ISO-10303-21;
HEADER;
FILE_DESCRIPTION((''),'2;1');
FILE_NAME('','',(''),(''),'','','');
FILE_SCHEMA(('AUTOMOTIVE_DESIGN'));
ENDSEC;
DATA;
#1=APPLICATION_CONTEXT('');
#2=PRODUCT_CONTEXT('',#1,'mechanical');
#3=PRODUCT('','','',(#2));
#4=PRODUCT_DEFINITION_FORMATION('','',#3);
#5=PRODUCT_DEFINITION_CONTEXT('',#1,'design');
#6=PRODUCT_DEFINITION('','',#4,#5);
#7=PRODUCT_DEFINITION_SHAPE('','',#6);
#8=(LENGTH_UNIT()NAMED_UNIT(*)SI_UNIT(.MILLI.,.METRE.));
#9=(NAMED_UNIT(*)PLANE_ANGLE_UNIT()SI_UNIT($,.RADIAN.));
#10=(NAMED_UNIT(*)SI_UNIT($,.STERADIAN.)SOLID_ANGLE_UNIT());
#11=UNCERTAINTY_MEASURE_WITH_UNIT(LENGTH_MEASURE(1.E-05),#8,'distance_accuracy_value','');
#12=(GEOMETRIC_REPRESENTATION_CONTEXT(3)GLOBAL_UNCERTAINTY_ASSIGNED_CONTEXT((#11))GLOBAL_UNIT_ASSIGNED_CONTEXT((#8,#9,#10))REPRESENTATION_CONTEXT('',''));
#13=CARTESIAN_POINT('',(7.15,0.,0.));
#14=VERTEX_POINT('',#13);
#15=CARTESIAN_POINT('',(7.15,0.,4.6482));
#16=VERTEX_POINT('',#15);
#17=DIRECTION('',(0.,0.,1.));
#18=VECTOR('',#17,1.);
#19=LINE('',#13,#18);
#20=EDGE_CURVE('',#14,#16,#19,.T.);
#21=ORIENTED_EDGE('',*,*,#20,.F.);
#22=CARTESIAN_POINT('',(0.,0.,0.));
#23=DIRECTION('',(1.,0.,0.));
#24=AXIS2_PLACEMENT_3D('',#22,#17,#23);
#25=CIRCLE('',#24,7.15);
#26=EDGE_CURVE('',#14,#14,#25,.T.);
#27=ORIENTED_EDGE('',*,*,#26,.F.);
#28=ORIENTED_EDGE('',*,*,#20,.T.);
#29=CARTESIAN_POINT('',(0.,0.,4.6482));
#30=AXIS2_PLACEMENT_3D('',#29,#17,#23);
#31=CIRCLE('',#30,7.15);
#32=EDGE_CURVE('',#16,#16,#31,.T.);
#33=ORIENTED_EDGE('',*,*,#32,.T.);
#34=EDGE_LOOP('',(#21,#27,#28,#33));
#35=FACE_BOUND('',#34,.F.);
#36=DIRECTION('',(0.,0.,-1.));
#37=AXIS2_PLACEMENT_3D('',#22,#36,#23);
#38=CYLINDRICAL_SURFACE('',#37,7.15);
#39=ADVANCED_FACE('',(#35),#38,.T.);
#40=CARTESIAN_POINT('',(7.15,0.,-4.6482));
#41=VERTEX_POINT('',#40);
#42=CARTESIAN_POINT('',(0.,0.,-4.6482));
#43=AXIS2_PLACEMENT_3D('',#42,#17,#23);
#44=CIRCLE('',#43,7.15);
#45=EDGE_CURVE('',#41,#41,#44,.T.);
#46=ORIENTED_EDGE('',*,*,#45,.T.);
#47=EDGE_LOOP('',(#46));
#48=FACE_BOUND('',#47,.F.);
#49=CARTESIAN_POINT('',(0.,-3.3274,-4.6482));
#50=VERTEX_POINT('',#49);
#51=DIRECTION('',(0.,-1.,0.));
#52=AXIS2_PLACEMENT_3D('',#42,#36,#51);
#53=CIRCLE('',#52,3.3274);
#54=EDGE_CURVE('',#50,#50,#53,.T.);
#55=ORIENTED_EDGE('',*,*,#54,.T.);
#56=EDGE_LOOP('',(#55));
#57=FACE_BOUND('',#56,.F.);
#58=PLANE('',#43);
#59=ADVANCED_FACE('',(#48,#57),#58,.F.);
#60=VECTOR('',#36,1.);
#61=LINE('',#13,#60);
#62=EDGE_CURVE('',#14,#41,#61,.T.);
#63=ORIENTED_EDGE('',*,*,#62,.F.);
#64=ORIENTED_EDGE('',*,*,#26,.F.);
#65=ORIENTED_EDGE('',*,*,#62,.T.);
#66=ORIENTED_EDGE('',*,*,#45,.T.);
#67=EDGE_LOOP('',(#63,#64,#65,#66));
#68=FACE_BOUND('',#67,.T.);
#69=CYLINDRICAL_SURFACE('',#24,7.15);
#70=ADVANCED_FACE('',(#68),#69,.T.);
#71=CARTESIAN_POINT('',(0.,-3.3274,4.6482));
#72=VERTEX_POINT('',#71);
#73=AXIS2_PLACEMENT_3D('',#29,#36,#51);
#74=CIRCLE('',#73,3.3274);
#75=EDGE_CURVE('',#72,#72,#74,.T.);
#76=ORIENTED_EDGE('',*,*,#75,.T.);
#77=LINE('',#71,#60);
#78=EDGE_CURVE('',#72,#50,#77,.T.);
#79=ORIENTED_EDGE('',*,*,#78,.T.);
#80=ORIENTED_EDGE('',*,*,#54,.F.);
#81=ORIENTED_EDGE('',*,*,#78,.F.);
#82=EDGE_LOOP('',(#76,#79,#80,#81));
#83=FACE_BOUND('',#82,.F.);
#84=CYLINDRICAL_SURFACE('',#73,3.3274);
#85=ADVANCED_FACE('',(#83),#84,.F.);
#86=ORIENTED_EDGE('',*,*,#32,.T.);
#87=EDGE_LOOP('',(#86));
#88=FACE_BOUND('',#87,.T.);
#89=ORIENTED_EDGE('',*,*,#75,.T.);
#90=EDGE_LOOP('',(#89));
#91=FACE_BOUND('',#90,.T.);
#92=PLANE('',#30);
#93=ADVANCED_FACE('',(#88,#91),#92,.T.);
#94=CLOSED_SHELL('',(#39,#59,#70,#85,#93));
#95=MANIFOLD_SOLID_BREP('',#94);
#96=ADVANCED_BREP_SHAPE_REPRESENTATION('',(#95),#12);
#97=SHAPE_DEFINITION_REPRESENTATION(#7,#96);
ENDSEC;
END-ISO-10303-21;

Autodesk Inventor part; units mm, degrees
ref_plane "YZ Plane" through (0, 0, 0) normal (1, 0, 0) x (0, 1, 0)
ref_plane "XZ Plane" through (0, 0, 0) normal (0, 1, 0) x (-1, 0, 0)
ref_plane "XY Plane" through (0, 0, 0) normal (0, 0, 1) x (1, 0, 0)
sketch "Sketch1" plane through (0, 0, 0) normal (0, 0, 1) x (1, 0, 0)
  circle A0 centre (0, 0) radius 7.15
  dimension "d0" = 14.3
extrude "Extrusion1" add sketch "Sketch1" along normal mid plane 9.2964
sketch "Sketch2" plane through (0, 0, 4.6482) normal (0, 0, 1) x (1, 0, 0)
  circle A0 centre (0, 0) radius 4
  dimension "d3" = 8
hole "Hole1" at (0, 0, 4.6482) direction (0, 0, -1) diameter 6.6548 end through all
properties part number "CNC-1.1v-B-2-( circular nut )"
